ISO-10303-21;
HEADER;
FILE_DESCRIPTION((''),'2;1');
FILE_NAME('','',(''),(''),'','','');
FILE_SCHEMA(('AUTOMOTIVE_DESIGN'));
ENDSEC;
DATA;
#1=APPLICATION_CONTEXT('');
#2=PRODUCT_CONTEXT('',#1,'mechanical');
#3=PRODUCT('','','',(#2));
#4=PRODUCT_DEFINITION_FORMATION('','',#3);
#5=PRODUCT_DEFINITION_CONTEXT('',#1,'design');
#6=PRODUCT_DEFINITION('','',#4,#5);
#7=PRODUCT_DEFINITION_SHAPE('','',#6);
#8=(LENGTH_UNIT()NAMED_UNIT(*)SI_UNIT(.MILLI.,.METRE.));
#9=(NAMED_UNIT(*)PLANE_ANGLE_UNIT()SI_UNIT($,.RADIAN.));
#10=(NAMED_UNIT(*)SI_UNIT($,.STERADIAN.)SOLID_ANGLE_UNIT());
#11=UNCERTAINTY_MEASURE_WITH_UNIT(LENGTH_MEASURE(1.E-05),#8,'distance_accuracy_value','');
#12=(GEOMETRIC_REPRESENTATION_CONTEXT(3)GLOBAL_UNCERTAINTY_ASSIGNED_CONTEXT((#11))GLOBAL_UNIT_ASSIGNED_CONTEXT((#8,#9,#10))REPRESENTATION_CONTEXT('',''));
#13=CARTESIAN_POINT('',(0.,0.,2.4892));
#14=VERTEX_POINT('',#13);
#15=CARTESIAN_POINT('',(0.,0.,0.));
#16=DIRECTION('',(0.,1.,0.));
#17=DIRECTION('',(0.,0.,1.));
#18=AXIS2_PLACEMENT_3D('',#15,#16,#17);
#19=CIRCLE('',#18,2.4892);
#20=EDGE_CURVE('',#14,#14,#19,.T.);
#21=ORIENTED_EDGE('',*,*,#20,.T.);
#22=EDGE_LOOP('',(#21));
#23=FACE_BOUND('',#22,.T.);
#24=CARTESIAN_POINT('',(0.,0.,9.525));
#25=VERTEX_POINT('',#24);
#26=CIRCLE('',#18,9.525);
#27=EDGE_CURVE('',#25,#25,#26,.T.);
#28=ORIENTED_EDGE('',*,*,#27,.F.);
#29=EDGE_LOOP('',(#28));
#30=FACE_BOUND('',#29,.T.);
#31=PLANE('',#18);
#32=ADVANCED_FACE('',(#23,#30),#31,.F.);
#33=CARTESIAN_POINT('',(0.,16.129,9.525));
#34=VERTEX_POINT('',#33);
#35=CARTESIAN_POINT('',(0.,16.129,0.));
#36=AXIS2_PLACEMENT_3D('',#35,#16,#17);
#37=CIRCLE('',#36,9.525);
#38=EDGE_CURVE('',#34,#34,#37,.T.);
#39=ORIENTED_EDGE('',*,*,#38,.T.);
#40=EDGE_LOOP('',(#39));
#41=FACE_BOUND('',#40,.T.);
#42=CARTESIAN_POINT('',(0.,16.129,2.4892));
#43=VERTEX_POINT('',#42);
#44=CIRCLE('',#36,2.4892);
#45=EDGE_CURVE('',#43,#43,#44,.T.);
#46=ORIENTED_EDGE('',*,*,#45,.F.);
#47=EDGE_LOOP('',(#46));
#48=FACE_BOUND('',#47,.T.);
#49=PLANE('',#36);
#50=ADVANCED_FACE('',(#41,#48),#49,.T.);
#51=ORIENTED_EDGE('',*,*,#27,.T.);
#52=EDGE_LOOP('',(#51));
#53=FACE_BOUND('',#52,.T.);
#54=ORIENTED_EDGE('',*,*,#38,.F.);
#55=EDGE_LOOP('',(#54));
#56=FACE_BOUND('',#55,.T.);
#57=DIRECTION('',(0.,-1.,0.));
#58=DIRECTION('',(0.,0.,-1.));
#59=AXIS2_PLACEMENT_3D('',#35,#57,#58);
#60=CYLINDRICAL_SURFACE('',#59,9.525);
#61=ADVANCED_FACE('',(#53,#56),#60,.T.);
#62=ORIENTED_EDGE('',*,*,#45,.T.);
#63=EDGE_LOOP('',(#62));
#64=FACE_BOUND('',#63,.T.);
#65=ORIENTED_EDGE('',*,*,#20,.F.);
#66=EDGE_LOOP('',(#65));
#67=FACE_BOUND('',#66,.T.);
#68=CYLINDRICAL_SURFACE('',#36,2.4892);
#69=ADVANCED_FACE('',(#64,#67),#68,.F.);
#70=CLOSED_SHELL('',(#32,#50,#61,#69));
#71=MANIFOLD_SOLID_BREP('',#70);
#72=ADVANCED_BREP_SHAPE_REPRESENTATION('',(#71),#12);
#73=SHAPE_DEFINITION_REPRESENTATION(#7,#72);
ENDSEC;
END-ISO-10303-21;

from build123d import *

# Parameters (mm, degrees)
SKETCH1_R              = 9.525
BOSS_EXTRUDE1_DEPTH    = 16.129
F_10_CLEARANCE_HOLE1_D = 4.9784


with BuildPart() as part:
    # Sketch1 → Boss-Extrude1 (new body)
    with BuildSketch(Plane(origin=(0, 0, 0), x_dir=(1, 0, 0), z_dir=(0, 1, 0))):
        with Locations(Location((0, 0, 0), (0, 0, 270))):
            Circle(SKETCH1_R)
    extrude(amount=BOSS_EXTRUDE1_DEPTH)

    # #10 Clearance Hole1 (through all)
    with Locations(Plane(origin=(0, 16.129, 0), x_dir=(1, 0, 0), z_dir=(0, 1, 0))):
        with Locations((0, 0)):
            Hole(F_10_CLEARANCE_HOLE1_D / 2)


solid = part.part
